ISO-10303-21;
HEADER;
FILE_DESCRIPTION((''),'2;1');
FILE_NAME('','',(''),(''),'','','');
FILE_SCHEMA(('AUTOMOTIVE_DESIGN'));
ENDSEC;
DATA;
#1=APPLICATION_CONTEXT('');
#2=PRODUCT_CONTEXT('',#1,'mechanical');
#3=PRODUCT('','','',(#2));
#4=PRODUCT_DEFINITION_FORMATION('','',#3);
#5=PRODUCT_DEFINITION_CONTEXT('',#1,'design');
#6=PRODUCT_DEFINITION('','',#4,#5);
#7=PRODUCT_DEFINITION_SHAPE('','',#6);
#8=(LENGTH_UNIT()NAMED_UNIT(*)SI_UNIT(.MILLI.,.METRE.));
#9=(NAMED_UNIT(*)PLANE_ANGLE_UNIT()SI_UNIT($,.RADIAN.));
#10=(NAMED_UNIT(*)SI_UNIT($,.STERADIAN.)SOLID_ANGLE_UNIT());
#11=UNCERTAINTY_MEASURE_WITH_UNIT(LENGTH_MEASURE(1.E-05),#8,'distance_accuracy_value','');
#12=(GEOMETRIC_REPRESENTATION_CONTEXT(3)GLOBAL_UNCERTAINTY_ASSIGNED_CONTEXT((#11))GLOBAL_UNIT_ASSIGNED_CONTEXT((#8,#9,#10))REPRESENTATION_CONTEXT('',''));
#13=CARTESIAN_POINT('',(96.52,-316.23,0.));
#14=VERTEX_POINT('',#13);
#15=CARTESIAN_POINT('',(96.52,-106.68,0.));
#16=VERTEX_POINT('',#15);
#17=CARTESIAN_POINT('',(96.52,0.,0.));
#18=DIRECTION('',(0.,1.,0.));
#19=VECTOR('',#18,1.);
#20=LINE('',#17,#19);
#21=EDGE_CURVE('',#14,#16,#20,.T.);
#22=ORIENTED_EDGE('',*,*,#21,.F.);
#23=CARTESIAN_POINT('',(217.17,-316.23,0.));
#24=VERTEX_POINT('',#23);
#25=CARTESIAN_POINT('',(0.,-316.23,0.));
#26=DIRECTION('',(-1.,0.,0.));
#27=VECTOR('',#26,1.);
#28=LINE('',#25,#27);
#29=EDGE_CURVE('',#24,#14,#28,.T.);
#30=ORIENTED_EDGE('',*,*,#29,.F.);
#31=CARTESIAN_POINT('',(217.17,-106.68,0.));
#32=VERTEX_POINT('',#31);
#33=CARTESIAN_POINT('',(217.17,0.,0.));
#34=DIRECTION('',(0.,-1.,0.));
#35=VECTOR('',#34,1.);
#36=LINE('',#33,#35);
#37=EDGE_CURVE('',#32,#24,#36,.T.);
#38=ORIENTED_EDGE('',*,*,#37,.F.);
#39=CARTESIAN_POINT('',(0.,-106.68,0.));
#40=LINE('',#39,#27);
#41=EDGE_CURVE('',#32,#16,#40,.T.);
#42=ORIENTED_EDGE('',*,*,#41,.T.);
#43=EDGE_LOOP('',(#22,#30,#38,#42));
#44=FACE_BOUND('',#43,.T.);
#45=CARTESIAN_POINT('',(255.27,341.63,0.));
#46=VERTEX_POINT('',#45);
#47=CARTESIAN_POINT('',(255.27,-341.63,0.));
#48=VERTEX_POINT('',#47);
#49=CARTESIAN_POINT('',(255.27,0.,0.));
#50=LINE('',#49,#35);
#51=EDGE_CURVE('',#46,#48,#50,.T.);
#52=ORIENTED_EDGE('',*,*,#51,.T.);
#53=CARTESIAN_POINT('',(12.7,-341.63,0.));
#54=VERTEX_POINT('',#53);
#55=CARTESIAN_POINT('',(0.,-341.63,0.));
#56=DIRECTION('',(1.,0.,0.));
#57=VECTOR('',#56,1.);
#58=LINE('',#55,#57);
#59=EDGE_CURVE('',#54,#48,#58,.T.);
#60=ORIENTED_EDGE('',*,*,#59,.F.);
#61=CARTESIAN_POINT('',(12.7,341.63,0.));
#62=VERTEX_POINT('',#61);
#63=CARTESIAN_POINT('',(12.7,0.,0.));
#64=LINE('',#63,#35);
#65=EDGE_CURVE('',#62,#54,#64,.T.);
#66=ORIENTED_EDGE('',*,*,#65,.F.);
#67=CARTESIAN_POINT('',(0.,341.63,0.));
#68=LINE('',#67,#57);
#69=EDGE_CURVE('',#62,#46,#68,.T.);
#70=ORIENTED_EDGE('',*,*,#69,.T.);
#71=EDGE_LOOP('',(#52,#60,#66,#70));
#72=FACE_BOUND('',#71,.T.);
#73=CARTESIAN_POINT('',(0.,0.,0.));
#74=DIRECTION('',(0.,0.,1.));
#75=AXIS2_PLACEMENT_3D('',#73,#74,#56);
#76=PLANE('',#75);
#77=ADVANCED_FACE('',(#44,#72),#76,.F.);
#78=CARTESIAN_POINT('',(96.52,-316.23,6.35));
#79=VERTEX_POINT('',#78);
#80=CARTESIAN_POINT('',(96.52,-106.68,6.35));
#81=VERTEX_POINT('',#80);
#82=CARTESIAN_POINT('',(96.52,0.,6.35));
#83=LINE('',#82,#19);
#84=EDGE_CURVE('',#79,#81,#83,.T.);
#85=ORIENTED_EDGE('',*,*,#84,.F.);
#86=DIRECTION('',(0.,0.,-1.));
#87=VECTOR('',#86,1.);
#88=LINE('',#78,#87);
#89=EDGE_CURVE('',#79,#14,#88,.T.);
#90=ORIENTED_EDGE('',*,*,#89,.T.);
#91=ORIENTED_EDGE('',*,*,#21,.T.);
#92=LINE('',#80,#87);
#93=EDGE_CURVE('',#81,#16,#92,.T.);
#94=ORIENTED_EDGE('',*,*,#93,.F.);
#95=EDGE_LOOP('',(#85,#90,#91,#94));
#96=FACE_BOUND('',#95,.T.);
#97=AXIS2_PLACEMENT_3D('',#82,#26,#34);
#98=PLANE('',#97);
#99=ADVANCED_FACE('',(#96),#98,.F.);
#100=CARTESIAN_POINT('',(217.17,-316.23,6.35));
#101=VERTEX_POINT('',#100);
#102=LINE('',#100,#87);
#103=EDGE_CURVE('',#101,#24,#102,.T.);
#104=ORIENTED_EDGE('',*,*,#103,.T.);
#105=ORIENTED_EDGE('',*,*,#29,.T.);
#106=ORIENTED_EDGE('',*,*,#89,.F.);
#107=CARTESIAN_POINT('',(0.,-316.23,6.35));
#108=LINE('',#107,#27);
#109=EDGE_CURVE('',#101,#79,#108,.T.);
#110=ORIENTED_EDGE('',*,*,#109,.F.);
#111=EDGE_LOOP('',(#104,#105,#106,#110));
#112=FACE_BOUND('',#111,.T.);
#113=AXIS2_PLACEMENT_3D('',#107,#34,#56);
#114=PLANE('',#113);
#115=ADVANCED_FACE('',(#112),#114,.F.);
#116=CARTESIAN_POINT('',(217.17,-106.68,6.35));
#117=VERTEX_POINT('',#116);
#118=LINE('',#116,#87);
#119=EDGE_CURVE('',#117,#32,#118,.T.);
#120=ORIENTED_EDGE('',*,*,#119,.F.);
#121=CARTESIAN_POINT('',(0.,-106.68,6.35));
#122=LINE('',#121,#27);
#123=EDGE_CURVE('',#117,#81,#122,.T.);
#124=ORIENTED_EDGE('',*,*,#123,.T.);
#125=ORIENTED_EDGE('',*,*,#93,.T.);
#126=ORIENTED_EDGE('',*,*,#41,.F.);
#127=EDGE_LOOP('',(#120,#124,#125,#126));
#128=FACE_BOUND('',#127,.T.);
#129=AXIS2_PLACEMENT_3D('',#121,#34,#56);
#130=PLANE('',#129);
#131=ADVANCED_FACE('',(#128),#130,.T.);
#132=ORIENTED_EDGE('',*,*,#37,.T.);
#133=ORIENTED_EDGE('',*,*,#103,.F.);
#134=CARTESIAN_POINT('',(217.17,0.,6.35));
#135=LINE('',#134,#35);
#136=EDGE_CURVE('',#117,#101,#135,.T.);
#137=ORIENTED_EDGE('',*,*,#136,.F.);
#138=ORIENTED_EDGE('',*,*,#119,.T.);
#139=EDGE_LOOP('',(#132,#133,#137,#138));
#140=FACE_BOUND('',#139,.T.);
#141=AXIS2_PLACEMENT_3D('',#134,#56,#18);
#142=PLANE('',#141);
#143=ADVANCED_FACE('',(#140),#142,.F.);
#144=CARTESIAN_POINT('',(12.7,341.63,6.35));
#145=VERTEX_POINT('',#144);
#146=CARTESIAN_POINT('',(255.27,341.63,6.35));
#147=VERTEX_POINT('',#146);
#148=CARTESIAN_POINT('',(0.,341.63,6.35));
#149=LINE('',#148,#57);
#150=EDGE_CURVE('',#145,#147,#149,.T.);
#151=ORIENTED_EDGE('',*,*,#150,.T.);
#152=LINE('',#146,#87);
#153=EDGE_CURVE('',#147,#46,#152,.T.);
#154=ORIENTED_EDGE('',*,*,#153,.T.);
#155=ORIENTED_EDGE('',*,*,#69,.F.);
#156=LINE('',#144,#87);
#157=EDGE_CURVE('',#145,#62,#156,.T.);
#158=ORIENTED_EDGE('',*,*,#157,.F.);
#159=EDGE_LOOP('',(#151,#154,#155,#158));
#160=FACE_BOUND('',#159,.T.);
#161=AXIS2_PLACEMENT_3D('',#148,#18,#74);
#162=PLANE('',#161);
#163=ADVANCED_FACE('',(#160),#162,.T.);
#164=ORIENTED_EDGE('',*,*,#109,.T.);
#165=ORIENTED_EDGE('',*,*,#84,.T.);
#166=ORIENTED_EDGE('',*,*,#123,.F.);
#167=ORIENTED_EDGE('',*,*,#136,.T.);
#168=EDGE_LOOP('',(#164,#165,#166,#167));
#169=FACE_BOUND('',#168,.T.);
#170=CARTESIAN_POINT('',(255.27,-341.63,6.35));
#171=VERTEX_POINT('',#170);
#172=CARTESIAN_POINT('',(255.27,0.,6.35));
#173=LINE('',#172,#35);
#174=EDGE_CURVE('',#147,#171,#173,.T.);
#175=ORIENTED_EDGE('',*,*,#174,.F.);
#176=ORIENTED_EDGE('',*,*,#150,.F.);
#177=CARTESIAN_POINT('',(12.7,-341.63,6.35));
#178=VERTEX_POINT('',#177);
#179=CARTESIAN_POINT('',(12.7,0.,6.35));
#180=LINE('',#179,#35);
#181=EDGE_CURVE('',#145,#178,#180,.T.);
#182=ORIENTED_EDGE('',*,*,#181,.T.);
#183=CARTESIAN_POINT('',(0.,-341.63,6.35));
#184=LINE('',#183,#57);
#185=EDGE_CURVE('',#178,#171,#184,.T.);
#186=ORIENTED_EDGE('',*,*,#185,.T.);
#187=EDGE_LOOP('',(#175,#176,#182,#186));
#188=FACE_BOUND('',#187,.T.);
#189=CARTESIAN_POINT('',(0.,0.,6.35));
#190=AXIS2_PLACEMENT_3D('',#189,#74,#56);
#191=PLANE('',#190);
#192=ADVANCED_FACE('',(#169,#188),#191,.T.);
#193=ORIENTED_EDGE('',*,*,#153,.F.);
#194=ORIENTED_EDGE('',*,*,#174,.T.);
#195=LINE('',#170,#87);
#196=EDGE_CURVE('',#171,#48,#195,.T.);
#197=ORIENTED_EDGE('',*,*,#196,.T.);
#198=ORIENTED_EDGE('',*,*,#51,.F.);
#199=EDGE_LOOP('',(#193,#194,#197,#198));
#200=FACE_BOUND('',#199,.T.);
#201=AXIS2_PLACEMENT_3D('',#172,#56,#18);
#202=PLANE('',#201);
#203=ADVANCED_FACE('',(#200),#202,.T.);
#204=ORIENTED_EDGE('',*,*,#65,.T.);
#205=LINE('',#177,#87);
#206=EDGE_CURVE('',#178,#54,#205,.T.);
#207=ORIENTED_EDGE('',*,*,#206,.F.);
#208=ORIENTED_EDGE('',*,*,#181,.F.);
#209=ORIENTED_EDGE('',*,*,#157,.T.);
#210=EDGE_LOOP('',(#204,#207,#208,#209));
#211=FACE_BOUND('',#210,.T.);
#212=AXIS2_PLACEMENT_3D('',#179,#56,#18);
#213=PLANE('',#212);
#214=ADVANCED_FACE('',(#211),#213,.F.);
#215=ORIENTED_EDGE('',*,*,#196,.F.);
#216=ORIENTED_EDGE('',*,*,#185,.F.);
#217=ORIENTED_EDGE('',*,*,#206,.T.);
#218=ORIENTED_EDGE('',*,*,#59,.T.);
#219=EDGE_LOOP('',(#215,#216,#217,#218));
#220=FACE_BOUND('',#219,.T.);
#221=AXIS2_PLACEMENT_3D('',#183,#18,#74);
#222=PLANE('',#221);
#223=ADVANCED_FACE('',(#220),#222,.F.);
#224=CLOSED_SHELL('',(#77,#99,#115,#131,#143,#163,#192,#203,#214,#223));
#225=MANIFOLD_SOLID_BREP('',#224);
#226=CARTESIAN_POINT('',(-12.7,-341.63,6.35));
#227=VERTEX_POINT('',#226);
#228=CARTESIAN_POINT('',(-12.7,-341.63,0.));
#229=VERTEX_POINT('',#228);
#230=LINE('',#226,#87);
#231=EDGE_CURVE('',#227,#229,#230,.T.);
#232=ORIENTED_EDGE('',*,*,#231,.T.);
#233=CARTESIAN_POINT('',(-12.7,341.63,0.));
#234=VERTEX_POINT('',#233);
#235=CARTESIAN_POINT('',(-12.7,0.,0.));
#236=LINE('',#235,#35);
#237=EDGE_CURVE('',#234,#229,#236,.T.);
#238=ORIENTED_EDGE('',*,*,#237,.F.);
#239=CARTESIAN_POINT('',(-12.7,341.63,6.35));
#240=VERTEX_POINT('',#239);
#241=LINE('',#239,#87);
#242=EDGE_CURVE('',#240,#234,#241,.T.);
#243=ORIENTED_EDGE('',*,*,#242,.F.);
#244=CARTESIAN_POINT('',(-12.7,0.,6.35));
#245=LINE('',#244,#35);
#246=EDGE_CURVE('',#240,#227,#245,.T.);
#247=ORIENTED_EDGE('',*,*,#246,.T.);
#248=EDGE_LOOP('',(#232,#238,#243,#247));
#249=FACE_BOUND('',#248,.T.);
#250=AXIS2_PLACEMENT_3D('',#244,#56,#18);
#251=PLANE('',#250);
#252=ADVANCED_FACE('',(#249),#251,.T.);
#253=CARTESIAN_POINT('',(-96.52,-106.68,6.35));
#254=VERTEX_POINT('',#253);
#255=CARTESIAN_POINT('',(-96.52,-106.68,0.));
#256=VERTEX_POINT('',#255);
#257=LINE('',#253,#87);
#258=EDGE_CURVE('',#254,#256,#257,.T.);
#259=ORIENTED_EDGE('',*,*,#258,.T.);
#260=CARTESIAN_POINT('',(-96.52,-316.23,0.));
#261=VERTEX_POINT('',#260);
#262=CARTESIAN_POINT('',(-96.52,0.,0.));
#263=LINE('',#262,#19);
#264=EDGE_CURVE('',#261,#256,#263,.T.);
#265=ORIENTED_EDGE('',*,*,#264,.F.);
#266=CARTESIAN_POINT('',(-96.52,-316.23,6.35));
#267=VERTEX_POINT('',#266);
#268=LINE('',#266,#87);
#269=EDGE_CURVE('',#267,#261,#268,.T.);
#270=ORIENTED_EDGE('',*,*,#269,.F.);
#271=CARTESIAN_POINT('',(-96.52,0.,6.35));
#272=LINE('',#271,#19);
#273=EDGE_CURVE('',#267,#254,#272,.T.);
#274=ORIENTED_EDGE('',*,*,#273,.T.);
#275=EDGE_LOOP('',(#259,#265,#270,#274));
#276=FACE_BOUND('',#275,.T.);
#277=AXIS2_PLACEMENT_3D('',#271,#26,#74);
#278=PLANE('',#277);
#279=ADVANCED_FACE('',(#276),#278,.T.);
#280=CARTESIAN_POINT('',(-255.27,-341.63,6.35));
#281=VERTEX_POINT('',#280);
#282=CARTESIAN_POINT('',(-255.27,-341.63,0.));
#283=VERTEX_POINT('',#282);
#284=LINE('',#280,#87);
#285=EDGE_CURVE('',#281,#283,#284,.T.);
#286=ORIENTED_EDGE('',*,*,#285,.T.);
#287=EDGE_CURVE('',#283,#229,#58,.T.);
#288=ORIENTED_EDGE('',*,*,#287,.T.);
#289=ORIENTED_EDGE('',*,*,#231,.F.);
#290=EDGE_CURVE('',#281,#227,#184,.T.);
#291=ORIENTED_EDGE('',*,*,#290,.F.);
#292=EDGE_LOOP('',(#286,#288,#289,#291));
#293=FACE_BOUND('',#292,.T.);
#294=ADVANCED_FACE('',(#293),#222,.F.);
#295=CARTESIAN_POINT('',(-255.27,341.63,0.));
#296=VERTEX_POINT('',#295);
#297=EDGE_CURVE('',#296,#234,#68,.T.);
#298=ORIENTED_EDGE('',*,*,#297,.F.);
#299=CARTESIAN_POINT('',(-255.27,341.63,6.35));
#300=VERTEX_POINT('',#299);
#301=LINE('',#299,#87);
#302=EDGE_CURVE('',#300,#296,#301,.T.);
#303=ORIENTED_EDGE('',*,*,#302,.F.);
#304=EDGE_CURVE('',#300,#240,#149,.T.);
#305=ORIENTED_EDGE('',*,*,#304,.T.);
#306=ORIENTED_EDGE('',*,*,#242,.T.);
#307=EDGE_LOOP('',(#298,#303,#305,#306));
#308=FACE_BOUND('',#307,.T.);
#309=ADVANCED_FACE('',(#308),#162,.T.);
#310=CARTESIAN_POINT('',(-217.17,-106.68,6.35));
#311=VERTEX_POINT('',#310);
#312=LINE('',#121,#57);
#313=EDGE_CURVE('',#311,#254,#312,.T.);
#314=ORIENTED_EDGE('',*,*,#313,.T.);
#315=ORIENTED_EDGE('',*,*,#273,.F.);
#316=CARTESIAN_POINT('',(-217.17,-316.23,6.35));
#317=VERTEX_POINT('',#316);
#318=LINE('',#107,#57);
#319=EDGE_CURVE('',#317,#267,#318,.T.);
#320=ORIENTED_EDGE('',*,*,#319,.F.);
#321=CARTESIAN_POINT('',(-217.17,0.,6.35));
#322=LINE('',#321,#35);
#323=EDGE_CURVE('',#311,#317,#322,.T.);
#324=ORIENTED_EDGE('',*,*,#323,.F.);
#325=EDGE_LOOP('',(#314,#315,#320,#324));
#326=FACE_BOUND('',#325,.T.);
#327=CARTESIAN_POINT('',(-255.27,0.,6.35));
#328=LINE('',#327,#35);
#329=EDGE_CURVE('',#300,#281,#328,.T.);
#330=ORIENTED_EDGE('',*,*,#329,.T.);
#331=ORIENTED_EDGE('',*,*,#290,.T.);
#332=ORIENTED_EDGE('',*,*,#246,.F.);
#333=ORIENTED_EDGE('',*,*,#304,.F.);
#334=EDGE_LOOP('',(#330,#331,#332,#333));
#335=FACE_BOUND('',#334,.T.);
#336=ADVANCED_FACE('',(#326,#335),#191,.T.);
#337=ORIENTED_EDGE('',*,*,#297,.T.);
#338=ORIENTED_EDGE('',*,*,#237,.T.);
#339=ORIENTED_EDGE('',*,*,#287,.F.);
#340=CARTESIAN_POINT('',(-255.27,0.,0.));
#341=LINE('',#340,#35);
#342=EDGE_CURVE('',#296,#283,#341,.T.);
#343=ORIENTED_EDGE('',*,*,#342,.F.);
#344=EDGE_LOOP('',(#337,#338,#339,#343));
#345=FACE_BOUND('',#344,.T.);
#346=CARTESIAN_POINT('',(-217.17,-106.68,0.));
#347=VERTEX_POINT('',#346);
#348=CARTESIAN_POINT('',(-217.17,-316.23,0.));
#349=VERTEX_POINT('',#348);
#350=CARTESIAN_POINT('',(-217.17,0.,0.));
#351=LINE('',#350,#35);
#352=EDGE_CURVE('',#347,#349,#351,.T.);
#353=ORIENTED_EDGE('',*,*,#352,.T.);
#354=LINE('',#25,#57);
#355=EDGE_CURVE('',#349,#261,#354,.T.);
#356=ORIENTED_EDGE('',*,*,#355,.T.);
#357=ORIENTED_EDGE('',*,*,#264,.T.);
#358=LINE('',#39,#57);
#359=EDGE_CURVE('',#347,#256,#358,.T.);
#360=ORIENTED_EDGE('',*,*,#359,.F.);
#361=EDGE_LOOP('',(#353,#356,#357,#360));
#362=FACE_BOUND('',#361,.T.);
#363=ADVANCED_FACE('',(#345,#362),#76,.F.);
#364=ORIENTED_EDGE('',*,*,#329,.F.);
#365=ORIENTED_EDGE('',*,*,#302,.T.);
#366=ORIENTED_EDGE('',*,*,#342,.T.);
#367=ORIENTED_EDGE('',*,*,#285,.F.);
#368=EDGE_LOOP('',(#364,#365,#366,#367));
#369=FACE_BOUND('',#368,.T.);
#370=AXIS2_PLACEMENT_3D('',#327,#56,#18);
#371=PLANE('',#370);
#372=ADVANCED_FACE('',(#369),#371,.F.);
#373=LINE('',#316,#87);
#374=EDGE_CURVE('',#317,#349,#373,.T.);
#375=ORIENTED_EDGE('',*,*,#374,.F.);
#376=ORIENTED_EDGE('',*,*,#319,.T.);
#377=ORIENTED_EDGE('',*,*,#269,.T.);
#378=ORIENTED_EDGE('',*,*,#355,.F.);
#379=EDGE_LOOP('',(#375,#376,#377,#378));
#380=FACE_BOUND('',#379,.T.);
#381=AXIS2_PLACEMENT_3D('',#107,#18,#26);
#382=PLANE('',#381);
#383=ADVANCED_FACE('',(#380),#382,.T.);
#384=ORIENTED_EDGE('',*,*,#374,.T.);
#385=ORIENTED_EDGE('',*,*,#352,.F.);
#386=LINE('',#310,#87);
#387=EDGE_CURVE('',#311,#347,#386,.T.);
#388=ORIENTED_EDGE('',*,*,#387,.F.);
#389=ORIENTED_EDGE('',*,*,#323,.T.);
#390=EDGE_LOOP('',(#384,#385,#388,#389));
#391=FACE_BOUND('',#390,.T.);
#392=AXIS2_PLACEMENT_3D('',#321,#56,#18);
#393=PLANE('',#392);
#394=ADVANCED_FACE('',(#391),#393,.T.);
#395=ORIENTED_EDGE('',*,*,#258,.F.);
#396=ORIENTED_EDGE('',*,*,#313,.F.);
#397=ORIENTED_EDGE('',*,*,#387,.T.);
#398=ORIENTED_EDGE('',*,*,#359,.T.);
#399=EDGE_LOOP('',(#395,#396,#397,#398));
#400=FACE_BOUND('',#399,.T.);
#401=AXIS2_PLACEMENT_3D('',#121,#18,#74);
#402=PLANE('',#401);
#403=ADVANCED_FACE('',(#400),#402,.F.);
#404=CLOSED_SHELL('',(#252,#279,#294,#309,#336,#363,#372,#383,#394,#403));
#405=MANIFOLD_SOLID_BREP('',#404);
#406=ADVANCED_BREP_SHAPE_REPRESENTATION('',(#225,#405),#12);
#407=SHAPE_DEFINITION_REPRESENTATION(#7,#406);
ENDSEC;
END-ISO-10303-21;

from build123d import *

# Parameters (mm, degrees)
SKETCH1_W             = 242.57
SKETCH1_H             = 683.26
SKETCH1_W_2           = 120.65
SKETCH1_H_2           = 209.55
BOSS_EXTRUDE1_DEPTH   = 6.35
BOSS_EXTRUDE1_2_DEPTH = 6.35


with BuildPart() as part:
    # Sketch1 → Boss-Extrude1 (new body)
    with BuildSketch(Plane.XY):
        with Locations((-133.985, 0)):
            Rectangle(SKETCH1_W, SKETCH1_H)
        with Locations((-156.845, -211.455)):
            Rectangle(SKETCH1_W_2, SKETCH1_H_2, mode=Mode.SUBTRACT)
    extrude(amount=BOSS_EXTRUDE1_DEPTH)


with BuildPart() as body_2:
    # Sketch1 → Boss-Extrude1 2 (new body)
    with BuildSketch(Plane.XY):
        with Locations((133.985, 0)):
            Rectangle(SKETCH1_W, SKETCH1_H)
        with Locations((156.845, -211.455)):
            Rectangle(SKETCH1_W_2, SKETCH1_H_2, mode=Mode.SUBTRACT)
    extrude(amount=BOSS_EXTRUDE1_2_DEPTH)


solid = Compound([part.part, body_2.part])
